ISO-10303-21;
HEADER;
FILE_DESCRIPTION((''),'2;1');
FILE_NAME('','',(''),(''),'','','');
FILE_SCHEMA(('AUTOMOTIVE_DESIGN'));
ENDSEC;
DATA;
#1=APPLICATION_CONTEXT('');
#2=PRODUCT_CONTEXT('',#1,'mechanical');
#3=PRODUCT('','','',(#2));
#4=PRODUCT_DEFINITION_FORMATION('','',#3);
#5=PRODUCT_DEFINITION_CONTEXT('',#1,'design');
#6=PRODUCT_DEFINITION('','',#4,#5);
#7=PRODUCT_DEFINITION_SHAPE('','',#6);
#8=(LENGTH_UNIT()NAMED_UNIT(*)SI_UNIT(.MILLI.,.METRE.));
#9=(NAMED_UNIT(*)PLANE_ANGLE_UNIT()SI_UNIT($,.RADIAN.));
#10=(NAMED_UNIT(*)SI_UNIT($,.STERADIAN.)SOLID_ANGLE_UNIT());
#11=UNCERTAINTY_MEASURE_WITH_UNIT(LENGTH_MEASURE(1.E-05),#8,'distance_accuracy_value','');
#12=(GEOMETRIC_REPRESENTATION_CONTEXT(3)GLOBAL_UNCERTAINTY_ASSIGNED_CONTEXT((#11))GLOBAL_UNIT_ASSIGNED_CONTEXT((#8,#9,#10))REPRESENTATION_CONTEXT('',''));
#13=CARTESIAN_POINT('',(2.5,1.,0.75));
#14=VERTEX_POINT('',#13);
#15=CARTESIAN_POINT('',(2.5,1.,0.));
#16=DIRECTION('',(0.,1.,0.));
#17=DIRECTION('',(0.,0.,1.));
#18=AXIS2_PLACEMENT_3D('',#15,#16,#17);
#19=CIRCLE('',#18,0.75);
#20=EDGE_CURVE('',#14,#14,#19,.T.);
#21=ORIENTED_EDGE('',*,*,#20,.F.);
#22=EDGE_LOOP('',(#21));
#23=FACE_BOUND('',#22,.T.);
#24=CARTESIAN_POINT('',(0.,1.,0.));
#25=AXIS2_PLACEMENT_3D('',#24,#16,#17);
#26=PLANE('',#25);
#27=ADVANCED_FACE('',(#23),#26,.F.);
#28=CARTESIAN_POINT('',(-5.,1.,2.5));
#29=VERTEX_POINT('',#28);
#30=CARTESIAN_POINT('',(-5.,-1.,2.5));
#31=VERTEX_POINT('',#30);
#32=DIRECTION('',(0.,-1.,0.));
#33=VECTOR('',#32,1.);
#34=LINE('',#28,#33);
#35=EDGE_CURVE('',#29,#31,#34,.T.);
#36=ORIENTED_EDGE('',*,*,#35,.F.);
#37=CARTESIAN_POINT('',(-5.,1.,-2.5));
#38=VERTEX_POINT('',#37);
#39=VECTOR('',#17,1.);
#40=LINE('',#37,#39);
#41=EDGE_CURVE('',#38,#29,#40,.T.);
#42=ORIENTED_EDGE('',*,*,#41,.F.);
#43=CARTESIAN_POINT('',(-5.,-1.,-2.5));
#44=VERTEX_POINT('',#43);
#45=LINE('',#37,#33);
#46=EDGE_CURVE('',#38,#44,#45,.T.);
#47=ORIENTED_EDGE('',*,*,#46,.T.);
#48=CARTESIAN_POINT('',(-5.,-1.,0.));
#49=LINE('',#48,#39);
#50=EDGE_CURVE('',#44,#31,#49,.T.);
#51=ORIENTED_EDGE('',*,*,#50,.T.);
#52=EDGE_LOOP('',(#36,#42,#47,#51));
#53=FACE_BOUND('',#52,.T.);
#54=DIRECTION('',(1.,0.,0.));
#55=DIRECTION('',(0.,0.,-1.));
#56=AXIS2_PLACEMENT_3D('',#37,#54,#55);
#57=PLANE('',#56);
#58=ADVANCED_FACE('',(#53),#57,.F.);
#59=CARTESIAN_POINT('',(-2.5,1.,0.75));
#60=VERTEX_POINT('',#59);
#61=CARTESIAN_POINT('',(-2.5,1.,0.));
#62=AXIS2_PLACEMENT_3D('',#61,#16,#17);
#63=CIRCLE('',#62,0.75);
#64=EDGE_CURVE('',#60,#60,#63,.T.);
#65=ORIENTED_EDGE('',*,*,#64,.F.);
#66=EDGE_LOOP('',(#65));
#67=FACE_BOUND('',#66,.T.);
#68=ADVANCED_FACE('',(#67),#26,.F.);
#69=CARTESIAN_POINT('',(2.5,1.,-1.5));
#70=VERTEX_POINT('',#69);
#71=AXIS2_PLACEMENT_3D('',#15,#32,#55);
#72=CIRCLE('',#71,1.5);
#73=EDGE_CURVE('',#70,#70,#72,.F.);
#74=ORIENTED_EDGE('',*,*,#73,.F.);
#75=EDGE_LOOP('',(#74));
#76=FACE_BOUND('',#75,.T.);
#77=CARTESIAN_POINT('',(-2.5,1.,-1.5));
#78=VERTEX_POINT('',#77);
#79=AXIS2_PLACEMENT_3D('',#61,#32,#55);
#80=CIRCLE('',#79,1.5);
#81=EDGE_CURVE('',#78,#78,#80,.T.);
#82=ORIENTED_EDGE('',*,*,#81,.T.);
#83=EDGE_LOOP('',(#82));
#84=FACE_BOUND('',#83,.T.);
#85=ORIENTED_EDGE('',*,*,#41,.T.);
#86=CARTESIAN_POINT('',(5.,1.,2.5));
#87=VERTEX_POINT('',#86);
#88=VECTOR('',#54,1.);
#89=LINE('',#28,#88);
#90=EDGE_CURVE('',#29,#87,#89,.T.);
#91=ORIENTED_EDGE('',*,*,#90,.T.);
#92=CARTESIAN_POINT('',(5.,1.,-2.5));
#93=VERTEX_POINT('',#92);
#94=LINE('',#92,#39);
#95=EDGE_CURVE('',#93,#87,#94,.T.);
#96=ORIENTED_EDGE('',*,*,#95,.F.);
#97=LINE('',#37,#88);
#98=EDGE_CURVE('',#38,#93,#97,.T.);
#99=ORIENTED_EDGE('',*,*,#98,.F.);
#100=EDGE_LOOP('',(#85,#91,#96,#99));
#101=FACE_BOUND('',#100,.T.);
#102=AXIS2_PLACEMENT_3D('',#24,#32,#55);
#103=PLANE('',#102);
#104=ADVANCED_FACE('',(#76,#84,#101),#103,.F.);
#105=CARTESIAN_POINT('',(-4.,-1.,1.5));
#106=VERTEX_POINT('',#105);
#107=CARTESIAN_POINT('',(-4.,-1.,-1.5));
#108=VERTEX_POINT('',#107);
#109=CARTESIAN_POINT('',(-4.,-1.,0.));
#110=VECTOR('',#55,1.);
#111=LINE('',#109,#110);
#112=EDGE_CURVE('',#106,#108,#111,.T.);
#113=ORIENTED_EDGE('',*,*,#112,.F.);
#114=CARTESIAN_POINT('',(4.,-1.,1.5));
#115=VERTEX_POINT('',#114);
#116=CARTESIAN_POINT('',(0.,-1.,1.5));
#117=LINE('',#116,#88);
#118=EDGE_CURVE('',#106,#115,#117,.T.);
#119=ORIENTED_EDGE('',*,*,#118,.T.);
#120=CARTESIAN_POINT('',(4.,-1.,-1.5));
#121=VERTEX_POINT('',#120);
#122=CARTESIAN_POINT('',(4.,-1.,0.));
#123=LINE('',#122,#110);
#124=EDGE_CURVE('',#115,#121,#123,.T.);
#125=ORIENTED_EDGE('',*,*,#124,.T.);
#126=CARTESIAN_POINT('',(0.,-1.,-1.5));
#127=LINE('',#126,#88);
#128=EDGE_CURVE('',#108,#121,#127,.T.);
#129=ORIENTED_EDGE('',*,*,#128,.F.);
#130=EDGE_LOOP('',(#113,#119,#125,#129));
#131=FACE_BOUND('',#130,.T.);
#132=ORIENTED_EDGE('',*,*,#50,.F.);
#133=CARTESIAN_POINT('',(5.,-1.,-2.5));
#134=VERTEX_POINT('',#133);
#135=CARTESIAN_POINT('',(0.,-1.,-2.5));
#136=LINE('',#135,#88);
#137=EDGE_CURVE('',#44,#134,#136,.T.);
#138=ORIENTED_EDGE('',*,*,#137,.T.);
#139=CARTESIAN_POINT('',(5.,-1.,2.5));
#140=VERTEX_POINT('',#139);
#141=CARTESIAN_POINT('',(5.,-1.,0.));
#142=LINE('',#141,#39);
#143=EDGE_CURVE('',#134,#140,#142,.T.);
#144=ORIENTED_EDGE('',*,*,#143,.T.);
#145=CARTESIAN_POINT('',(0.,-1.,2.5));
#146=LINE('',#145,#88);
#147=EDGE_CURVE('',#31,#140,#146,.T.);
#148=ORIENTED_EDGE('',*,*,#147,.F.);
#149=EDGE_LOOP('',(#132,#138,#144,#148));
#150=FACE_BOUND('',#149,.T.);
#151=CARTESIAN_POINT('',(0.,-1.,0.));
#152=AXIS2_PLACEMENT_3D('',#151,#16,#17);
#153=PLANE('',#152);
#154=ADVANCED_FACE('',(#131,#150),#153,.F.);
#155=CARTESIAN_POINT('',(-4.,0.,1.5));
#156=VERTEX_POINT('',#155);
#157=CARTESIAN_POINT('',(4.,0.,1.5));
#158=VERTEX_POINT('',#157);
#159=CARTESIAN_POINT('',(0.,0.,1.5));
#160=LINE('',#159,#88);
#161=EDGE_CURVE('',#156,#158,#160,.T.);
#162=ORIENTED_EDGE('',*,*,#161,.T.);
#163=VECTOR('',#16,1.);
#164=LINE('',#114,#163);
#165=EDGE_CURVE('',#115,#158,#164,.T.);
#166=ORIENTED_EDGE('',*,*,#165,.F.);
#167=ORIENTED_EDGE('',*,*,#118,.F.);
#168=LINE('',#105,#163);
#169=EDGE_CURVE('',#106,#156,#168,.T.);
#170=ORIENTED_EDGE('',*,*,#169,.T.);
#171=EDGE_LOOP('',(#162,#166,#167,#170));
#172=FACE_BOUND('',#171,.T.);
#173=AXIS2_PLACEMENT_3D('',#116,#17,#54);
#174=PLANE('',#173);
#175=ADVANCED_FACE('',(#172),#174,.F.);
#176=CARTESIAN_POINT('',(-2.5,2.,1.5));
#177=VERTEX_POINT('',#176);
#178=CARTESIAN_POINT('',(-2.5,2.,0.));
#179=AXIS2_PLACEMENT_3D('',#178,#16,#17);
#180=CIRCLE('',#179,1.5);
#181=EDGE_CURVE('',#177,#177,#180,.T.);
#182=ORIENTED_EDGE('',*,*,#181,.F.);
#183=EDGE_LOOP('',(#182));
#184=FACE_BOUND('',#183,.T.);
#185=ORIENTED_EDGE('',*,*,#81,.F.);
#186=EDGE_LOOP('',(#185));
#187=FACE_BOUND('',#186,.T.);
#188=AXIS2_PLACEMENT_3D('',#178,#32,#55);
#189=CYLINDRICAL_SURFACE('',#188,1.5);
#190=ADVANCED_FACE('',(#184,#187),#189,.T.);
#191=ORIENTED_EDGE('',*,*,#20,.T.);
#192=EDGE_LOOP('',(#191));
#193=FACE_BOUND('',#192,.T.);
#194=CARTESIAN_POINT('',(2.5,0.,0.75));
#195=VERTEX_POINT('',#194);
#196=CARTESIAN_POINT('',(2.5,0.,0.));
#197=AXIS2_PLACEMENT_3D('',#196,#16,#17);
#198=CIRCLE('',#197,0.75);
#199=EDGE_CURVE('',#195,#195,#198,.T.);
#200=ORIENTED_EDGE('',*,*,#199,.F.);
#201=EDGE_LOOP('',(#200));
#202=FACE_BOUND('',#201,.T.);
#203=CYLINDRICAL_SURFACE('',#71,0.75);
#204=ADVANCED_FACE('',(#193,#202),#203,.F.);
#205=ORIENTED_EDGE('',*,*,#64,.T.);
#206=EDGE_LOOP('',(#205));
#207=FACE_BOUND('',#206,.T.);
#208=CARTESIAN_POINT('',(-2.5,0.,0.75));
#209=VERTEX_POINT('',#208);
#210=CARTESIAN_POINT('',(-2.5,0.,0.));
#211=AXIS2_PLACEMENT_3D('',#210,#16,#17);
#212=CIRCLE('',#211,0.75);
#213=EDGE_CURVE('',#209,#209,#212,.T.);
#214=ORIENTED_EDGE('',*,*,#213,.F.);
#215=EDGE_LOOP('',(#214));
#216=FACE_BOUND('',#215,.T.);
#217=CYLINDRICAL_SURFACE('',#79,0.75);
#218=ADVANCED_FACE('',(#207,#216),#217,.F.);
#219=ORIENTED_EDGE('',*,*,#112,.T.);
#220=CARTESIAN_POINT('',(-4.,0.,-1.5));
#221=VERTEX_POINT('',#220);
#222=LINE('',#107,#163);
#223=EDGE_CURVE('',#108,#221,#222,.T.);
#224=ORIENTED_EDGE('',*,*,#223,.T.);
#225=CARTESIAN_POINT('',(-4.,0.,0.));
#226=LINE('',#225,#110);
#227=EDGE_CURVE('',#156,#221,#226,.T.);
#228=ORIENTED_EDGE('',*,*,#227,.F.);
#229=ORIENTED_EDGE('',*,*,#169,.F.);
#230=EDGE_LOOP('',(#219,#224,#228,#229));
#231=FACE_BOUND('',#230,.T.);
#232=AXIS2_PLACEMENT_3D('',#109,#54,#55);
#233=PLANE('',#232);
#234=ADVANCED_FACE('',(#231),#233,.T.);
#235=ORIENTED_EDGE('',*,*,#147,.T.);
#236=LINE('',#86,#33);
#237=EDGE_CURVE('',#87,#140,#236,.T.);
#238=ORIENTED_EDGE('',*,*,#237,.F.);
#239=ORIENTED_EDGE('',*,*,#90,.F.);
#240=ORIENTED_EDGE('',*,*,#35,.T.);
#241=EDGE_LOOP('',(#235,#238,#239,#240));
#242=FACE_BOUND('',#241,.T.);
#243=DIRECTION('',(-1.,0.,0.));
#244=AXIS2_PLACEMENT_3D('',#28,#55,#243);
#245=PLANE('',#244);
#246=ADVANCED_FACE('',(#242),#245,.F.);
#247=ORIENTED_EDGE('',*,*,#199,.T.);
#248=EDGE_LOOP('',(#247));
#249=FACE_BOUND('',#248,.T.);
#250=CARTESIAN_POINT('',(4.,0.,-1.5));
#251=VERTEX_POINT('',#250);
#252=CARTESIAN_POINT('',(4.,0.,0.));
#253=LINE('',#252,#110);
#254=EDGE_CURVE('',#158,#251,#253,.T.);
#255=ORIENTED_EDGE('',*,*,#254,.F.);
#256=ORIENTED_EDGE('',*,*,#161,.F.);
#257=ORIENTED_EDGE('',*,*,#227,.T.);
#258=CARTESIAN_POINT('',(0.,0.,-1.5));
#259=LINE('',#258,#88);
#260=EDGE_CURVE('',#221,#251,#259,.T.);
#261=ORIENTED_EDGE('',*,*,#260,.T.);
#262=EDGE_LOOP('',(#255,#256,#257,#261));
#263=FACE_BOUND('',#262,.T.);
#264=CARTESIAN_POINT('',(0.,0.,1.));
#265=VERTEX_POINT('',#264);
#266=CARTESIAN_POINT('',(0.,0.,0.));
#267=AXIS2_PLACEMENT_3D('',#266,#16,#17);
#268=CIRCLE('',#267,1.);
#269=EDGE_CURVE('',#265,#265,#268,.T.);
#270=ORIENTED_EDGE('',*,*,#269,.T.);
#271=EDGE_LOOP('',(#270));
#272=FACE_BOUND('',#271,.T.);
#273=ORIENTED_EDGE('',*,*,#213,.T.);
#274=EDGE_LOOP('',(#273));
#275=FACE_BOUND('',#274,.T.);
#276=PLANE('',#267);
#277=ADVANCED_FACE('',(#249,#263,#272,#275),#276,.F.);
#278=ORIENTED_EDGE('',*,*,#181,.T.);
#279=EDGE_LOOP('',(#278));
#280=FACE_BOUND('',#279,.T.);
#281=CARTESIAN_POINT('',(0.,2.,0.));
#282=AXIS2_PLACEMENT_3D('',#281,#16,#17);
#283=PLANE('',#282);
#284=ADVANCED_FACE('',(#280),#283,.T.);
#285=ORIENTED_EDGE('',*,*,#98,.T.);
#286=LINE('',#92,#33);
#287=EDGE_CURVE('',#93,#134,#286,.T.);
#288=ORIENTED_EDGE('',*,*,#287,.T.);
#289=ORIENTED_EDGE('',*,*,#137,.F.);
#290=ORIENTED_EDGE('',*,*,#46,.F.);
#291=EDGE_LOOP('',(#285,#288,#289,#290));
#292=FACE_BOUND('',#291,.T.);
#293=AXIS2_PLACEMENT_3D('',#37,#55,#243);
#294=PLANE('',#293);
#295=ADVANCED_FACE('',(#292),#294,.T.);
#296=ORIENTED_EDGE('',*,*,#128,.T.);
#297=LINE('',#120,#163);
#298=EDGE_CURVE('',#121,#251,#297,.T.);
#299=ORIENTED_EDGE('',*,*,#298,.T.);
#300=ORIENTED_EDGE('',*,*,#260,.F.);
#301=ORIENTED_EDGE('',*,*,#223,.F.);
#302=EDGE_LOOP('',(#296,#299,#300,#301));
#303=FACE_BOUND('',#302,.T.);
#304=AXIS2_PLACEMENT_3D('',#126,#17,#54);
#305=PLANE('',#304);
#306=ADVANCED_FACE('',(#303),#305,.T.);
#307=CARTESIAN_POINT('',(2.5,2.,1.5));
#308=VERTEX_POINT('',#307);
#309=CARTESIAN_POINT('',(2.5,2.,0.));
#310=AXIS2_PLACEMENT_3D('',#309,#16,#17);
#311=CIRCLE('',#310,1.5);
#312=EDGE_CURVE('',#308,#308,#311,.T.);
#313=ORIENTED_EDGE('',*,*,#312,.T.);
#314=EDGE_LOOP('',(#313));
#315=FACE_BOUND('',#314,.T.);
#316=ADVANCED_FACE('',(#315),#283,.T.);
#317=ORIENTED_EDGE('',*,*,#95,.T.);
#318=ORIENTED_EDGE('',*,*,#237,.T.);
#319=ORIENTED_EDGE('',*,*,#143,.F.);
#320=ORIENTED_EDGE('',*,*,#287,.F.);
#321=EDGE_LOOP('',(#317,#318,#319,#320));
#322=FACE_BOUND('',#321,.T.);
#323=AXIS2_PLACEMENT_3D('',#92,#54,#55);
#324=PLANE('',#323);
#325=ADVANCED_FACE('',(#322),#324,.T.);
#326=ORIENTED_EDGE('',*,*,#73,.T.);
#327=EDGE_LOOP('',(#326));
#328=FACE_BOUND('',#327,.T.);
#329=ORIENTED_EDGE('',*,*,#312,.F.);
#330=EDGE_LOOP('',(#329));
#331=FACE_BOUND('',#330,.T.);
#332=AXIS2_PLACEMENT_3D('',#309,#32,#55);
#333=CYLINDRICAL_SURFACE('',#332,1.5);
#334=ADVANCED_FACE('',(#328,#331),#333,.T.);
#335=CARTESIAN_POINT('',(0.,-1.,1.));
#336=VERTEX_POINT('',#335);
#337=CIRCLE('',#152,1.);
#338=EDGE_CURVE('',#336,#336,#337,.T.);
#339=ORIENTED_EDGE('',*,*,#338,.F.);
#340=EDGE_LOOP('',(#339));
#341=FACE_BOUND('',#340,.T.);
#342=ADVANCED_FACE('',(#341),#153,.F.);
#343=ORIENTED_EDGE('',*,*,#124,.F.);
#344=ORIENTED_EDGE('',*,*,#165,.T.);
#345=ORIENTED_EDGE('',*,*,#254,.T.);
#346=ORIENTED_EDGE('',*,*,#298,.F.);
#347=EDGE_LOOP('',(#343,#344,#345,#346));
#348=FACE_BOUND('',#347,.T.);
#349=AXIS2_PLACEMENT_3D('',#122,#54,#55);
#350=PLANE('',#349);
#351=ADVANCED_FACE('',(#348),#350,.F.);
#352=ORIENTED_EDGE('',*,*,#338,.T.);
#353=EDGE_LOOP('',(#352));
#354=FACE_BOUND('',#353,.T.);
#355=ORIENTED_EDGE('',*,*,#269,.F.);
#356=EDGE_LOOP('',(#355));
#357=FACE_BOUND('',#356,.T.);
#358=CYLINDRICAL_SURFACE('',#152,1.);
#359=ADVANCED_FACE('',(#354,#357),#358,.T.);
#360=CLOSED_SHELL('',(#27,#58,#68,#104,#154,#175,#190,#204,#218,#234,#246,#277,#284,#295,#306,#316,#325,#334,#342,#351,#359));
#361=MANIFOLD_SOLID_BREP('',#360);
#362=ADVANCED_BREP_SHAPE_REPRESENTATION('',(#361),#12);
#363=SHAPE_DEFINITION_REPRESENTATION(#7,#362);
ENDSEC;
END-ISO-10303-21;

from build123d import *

# Parameters (mm, degrees)
SKETCH1_R             = 1.5
BOSS_EXTRUDE1_DEPTH   = 2
BOSS_EXTRUDE1_2_DEPTH = 2
SKETCH1_3_W           = 10
SKETCH1_3_H           = 5
BOSS_EXTRUDE2_DEPTH   = 1
SKETCH1_4_R           = 0.75
CUT_EXTRUDE1_DEPTH    = 1
SKETCH1_5_W           = 10
SKETCH1_5_H           = 5
SKETCH1_5_W_2         = 8
SKETCH1_5_H_2         = 3
SKETCH1_5_R           = 1
BOSS_EXTRUDE3_DEPTH   = 1


with BuildPart() as part:
    # Sketch1 → Boss-Extrude1 (new body)
    with BuildSketch(Plane(origin=(0, 0, 0), x_dir=(1, 0, 0), z_dir=(0, 1, 0))):
        with Locations((-2.5, 0)):
            Circle(SKETCH1_R)
    extrude(amount=BOSS_EXTRUDE1_DEPTH)



with BuildPart() as body_2:
    # Sketch1 → Boss-Extrude1 2 (new body)
    with BuildSketch(Plane(origin=(0, 0, 0), x_dir=(1, 0, 0), z_dir=(0, 1, 0))):
        with Locations((2.5, 0)):
            Circle(SKETCH1_R)
    extrude(amount=BOSS_EXTRUDE1_2_DEPTH)


with BuildPart() as part_1:
    add(part.part)

    add(body_2.part)  # Boss-Extrude2 merges body 2
    # Sketch1<3> → Boss-Extrude2 (add)
    with BuildSketch(Plane(origin=(0, 0, 0), x_dir=(1, 0, 0), z_dir=(0, 1, 0))):
        Rectangle(SKETCH1_3_W, SKETCH1_3_H)
    extrude(amount=BOSS_EXTRUDE2_DEPTH)

    # Sketch1<4> → Cut-Extrude1 (cut)
    with BuildSketch(Plane(origin=(0, 0, 0), x_dir=(1, 0, 0), z_dir=(0, 1, 0))):
        with Locations((-2.5, 0)):
            Circle(SKETCH1_4_R)
        with Locations((2.5, 0)):
            Circle(SKETCH1_4_R)
    extrude(amount=CUT_EXTRUDE1_DEPTH, mode=Mode.SUBTRACT)

    # Sketch1<5> → Boss-Extrude3 (add)
    # profile 1 of 2: a face of its own
    with BuildSketch(Plane(origin=(0, 0, 0), x_dir=(1, 0, 0), z_dir=(0, 1, 0))):
        Rectangle(SKETCH1_5_W, SKETCH1_5_H)
        Rectangle(SKETCH1_5_W_2, SKETCH1_5_H_2, mode=Mode.SUBTRACT)
    # profile 2 of 2: a face of its own
    with BuildSketch(Plane(origin=(0, 0, 0), x_dir=(1, 0, 0), z_dir=(0, 1, 0))):
        Circle(SKETCH1_5_R)
    extrude(amount=-BOSS_EXTRUDE3_DEPTH)


solid = part_1.part
